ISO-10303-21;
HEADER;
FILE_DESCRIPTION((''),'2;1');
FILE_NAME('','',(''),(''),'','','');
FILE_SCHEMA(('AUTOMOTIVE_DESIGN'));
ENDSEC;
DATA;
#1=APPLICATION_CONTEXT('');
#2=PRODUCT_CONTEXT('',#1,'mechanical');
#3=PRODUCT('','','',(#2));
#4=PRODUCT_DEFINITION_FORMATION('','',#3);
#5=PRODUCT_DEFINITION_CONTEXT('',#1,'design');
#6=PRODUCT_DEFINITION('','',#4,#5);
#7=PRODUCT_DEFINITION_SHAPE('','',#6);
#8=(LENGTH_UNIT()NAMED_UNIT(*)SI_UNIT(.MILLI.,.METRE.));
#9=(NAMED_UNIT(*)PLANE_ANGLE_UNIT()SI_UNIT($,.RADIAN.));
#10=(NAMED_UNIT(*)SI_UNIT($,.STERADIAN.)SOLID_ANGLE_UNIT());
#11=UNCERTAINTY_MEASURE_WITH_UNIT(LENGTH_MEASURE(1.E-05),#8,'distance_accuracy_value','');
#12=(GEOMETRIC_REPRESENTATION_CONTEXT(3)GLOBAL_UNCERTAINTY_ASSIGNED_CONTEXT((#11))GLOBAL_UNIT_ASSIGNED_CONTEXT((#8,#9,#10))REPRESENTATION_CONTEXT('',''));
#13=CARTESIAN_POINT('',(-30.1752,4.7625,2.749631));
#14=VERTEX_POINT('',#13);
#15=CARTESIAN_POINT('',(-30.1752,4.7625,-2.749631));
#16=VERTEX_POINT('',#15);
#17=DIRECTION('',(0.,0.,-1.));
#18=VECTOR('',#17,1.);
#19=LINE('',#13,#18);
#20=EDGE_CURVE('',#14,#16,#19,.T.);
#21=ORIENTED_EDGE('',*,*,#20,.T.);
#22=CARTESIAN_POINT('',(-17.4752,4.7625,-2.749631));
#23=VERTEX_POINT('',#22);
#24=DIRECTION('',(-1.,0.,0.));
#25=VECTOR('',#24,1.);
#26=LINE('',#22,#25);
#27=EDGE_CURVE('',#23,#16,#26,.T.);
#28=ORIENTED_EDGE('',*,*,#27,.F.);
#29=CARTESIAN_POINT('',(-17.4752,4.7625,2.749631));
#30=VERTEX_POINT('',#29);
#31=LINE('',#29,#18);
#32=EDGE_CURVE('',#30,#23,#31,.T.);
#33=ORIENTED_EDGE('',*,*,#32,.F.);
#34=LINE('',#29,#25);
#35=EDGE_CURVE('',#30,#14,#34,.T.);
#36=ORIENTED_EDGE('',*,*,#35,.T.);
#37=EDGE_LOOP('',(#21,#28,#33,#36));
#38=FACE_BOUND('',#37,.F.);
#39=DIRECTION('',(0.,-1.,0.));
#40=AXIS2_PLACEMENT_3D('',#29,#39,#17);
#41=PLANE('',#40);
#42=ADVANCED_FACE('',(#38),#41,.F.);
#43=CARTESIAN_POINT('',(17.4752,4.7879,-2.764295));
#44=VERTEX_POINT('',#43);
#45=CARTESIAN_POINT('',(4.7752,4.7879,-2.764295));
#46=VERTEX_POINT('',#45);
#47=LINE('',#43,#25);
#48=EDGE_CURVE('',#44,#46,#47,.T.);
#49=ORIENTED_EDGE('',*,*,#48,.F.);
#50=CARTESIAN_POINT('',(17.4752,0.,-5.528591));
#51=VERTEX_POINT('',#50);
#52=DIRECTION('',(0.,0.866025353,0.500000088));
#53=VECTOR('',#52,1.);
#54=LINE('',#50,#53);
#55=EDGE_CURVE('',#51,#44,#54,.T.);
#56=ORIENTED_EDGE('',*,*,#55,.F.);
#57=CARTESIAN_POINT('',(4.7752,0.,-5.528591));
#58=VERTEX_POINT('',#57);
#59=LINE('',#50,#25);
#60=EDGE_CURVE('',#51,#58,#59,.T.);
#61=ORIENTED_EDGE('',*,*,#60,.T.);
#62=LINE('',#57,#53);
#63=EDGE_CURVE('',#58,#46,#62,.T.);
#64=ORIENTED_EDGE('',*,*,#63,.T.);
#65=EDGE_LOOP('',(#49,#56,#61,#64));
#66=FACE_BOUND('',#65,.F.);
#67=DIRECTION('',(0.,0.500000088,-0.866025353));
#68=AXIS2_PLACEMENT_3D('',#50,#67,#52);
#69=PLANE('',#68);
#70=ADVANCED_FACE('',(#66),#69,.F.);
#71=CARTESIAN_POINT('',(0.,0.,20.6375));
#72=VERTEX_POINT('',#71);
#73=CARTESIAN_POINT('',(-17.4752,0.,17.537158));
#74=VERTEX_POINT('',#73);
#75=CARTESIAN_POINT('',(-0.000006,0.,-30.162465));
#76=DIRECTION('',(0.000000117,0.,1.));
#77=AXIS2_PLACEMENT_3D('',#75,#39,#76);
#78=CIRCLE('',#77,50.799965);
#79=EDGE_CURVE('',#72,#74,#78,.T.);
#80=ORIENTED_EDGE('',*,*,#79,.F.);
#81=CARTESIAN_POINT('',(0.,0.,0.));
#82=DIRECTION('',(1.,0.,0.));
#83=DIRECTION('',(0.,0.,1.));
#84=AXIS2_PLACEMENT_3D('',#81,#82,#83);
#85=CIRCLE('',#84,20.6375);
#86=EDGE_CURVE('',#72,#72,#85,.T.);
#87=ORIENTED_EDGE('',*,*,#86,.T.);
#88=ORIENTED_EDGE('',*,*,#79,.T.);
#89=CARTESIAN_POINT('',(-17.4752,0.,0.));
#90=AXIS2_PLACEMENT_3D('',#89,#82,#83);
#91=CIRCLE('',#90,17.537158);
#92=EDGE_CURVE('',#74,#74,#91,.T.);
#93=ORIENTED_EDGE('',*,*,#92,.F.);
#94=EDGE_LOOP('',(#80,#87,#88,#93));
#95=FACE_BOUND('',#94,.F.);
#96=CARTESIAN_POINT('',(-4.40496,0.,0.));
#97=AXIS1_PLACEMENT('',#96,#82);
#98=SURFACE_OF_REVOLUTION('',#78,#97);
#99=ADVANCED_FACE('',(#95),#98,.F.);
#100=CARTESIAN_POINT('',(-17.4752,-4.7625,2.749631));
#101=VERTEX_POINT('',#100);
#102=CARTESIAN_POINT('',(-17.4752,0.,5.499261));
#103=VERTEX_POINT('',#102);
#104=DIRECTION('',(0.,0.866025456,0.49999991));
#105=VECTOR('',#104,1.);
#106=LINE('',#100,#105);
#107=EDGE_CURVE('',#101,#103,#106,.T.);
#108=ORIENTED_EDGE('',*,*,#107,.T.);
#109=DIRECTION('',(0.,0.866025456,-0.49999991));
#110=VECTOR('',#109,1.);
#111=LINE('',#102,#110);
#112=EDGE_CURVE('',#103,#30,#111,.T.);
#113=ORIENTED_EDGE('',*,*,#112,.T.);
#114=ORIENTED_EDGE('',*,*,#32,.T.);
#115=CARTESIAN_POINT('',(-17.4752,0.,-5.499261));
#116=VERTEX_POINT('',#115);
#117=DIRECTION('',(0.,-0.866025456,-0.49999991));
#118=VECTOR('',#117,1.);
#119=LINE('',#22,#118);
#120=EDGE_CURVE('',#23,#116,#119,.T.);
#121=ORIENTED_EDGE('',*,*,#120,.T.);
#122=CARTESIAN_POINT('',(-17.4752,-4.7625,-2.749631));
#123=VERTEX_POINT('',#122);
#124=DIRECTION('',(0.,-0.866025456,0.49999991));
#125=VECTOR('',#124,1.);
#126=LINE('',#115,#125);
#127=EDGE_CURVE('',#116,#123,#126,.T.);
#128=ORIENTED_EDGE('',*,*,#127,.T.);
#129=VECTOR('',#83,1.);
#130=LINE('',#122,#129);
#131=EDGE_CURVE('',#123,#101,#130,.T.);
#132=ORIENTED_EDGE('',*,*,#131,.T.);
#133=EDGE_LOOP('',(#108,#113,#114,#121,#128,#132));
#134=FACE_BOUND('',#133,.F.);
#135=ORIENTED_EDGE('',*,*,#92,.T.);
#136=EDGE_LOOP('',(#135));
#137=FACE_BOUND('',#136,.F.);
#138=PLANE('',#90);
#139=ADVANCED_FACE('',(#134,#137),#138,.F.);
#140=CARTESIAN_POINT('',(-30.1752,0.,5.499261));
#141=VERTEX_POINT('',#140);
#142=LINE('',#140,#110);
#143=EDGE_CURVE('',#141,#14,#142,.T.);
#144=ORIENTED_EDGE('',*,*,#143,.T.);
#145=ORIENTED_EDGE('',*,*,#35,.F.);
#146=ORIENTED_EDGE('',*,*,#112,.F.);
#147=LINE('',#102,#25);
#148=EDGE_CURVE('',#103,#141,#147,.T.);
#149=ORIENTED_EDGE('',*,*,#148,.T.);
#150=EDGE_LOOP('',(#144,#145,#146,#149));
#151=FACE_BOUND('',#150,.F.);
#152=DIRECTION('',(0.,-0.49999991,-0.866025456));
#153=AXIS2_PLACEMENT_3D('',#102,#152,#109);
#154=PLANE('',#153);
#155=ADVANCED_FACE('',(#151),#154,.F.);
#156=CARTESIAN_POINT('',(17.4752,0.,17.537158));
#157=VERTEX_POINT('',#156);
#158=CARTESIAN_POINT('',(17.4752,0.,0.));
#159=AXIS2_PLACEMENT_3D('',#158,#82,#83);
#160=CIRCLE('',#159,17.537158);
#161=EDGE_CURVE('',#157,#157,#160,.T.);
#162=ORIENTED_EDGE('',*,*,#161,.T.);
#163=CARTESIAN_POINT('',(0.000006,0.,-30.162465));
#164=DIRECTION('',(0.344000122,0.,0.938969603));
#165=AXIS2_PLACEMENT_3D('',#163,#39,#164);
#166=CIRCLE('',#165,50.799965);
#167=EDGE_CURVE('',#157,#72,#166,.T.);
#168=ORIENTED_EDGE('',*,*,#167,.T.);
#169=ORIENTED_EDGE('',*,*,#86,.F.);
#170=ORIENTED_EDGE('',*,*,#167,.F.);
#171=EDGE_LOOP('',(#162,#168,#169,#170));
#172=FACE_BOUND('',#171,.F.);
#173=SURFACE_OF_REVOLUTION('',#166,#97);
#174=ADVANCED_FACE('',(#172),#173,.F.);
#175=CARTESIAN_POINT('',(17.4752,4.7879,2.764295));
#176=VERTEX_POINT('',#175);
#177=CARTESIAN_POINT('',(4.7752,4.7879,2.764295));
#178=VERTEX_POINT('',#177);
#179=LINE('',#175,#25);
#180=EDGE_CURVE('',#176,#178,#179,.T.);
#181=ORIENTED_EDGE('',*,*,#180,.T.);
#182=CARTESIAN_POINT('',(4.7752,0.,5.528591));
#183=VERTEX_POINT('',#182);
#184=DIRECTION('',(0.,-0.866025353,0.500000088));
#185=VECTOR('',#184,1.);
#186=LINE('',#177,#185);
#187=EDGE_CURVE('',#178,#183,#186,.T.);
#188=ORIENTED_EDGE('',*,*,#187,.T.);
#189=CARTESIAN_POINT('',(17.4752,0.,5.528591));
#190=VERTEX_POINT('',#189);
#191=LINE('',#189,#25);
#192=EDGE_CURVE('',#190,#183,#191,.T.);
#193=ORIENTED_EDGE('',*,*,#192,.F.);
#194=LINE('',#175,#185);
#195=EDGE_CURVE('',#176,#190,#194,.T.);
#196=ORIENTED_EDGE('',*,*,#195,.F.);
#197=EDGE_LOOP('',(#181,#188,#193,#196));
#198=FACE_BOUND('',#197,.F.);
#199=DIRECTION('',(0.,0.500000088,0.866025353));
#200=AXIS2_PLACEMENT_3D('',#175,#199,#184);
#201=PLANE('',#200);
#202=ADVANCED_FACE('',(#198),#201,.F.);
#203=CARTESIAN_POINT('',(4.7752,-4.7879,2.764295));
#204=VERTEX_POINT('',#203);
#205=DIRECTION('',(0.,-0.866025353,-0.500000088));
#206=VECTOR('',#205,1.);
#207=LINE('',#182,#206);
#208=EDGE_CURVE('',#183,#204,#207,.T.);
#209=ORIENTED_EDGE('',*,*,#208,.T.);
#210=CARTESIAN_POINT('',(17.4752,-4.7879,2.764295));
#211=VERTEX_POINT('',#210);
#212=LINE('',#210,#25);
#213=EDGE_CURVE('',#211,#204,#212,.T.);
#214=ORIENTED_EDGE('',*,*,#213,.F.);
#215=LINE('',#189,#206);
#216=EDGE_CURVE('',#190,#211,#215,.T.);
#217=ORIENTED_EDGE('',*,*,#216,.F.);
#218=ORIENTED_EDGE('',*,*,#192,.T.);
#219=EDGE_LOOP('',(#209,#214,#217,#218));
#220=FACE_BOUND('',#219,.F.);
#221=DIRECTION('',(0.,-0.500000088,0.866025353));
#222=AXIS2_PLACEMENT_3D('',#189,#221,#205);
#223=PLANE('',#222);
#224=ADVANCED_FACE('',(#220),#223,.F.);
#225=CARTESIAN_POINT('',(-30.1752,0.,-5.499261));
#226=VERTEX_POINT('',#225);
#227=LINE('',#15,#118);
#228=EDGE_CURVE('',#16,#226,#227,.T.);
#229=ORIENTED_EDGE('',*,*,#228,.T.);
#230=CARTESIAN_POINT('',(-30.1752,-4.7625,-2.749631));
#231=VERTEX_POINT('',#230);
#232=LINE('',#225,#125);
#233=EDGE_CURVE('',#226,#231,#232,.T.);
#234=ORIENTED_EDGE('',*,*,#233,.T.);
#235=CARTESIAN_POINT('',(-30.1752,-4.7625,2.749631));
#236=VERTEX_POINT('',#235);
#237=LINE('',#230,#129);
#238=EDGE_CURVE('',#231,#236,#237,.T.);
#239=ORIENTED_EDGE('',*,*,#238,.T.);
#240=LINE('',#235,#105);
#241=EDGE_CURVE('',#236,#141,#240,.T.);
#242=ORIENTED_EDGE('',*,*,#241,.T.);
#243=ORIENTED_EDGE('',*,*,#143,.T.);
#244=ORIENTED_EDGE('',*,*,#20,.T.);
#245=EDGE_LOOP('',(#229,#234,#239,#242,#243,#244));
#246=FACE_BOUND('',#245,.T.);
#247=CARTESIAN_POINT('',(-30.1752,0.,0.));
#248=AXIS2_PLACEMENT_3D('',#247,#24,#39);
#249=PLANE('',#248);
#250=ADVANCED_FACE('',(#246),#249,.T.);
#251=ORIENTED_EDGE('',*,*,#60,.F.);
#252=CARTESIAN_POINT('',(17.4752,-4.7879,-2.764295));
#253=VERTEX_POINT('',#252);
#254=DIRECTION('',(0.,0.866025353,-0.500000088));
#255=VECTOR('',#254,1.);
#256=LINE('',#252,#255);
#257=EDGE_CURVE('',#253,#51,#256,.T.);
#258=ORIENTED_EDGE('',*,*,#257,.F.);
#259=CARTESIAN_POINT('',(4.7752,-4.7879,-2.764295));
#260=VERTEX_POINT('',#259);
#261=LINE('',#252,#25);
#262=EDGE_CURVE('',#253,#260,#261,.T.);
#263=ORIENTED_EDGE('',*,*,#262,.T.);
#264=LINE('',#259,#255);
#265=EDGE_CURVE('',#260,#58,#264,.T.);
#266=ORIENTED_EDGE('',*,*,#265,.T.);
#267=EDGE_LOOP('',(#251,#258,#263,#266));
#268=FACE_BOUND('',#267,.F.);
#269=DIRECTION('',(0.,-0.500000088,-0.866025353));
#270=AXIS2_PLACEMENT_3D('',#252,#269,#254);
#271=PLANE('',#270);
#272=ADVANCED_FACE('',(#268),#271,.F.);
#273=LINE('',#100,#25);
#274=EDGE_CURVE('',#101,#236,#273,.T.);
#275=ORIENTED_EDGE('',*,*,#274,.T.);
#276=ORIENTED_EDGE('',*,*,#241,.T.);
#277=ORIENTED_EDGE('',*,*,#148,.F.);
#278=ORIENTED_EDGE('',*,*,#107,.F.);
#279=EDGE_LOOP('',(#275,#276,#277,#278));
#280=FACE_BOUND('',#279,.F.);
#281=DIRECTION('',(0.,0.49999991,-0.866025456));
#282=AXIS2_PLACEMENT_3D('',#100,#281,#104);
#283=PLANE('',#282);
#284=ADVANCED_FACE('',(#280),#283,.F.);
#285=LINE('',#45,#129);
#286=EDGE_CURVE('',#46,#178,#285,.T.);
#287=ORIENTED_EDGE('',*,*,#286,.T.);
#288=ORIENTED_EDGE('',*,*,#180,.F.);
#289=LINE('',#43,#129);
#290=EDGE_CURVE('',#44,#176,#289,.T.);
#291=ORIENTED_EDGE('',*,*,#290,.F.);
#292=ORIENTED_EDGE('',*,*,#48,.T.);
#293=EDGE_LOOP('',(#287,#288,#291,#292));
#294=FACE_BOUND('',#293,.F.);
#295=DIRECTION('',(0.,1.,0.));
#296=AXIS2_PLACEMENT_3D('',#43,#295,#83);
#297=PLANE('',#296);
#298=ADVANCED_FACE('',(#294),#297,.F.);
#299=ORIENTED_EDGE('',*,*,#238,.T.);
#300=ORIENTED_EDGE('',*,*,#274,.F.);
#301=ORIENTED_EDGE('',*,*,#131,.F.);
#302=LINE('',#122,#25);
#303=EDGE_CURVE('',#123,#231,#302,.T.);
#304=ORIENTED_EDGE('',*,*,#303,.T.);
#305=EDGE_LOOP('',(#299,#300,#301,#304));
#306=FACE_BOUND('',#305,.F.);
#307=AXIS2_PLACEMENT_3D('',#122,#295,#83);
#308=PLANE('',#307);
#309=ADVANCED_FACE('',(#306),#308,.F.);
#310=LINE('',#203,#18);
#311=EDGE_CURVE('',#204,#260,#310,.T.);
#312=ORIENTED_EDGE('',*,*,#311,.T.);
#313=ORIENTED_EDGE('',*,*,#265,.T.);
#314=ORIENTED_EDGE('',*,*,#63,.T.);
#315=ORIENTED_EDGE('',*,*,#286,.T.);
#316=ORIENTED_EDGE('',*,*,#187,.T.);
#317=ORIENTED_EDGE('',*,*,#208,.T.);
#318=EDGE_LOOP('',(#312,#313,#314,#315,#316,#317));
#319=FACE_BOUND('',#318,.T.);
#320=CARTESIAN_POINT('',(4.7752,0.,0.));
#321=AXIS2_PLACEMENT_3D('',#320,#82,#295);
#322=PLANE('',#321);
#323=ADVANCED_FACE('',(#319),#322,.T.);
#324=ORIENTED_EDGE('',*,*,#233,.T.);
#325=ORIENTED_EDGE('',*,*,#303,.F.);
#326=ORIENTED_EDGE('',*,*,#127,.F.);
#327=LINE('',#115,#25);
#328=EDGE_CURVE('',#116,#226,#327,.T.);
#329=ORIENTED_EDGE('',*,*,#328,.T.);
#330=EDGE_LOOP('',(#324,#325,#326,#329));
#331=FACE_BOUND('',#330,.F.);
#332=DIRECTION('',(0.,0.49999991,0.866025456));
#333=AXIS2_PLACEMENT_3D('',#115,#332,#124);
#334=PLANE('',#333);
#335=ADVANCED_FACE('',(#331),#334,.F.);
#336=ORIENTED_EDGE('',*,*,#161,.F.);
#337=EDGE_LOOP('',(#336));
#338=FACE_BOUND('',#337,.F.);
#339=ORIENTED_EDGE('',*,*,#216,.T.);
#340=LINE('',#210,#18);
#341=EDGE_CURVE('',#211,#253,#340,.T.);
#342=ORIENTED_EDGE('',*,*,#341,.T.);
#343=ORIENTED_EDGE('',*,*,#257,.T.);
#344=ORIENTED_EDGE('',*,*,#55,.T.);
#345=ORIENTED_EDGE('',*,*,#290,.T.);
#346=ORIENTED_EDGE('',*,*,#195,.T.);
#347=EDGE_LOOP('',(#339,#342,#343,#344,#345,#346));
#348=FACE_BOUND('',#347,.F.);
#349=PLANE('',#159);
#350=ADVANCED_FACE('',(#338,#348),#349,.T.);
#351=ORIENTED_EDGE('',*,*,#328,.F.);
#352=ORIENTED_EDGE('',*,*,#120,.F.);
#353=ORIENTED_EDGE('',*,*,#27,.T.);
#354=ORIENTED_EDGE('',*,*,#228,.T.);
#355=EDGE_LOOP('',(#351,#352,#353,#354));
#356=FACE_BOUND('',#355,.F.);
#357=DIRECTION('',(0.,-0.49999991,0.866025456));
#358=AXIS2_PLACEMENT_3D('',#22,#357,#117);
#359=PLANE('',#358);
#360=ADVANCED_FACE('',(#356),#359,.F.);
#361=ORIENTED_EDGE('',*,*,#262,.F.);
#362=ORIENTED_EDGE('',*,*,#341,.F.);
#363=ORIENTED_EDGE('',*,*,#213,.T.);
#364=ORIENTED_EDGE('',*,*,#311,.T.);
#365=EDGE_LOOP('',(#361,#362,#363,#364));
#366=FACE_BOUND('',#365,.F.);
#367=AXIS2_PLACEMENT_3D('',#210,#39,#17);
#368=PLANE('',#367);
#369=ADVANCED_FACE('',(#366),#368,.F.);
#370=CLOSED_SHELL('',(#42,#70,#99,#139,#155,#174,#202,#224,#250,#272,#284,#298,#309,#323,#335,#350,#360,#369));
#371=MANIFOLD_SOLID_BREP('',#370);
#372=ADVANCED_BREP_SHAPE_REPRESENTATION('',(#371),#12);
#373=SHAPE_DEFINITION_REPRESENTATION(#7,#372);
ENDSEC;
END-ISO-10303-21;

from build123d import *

# Parameters (mm, degrees)
F3_DEPTH = 12.7
F5_DEPTH = 12.7


with BuildPart() as f1:
    # F0 (on Front) → F1 (revolve)
    with BuildSketch(Plane.XZ):
        with BuildLine():
            ThreePointArc((17.4752, 17.537158), (8.874046, 19.85641), (0, 20.6375))
            ThreePointArc((0, 20.6375), (-8.874046, 19.85641), (-17.4752, 17.537158))
            Line((-17.4752, 17.537158), (-17.4752, 0))
            Line((-17.4752, 0), (17.4752, 0))
            Line((17.4752, 0), (17.4752, 17.537158))
        make_face()
    revolve(axis=Axis((-4.40496, 0, 0), (1, 0, 0)))

    # F2 (on face) → F3 (cut)
    with BuildSketch(Plane.YZ.offset(17.4752)):
        Polygon((4.7879, -2.764295), (4.7879, 2.764295), (0, 5.528591), (-4.7879, 2.764295), (-4.7879, -2.764295), (0, -5.528591), align=None)
    extrude(amount=-F3_DEPTH, mode=Mode.SUBTRACT)

    # F4 (on face) → F5 (join)
    with BuildSketch(Plane(origin=(-17.4752, 0, 0), x_dir=(0, -1, 0), z_dir=(-1, 0, 0))):
        Polygon((4.7625, -2.749631), (4.7625, 2.749631), (0, 5.499261), (-4.7625, 2.749631), (-4.7625, -2.749631), (0, -5.499261), align=None)
    extrude(amount=F5_DEPTH)


solid = f1.part
